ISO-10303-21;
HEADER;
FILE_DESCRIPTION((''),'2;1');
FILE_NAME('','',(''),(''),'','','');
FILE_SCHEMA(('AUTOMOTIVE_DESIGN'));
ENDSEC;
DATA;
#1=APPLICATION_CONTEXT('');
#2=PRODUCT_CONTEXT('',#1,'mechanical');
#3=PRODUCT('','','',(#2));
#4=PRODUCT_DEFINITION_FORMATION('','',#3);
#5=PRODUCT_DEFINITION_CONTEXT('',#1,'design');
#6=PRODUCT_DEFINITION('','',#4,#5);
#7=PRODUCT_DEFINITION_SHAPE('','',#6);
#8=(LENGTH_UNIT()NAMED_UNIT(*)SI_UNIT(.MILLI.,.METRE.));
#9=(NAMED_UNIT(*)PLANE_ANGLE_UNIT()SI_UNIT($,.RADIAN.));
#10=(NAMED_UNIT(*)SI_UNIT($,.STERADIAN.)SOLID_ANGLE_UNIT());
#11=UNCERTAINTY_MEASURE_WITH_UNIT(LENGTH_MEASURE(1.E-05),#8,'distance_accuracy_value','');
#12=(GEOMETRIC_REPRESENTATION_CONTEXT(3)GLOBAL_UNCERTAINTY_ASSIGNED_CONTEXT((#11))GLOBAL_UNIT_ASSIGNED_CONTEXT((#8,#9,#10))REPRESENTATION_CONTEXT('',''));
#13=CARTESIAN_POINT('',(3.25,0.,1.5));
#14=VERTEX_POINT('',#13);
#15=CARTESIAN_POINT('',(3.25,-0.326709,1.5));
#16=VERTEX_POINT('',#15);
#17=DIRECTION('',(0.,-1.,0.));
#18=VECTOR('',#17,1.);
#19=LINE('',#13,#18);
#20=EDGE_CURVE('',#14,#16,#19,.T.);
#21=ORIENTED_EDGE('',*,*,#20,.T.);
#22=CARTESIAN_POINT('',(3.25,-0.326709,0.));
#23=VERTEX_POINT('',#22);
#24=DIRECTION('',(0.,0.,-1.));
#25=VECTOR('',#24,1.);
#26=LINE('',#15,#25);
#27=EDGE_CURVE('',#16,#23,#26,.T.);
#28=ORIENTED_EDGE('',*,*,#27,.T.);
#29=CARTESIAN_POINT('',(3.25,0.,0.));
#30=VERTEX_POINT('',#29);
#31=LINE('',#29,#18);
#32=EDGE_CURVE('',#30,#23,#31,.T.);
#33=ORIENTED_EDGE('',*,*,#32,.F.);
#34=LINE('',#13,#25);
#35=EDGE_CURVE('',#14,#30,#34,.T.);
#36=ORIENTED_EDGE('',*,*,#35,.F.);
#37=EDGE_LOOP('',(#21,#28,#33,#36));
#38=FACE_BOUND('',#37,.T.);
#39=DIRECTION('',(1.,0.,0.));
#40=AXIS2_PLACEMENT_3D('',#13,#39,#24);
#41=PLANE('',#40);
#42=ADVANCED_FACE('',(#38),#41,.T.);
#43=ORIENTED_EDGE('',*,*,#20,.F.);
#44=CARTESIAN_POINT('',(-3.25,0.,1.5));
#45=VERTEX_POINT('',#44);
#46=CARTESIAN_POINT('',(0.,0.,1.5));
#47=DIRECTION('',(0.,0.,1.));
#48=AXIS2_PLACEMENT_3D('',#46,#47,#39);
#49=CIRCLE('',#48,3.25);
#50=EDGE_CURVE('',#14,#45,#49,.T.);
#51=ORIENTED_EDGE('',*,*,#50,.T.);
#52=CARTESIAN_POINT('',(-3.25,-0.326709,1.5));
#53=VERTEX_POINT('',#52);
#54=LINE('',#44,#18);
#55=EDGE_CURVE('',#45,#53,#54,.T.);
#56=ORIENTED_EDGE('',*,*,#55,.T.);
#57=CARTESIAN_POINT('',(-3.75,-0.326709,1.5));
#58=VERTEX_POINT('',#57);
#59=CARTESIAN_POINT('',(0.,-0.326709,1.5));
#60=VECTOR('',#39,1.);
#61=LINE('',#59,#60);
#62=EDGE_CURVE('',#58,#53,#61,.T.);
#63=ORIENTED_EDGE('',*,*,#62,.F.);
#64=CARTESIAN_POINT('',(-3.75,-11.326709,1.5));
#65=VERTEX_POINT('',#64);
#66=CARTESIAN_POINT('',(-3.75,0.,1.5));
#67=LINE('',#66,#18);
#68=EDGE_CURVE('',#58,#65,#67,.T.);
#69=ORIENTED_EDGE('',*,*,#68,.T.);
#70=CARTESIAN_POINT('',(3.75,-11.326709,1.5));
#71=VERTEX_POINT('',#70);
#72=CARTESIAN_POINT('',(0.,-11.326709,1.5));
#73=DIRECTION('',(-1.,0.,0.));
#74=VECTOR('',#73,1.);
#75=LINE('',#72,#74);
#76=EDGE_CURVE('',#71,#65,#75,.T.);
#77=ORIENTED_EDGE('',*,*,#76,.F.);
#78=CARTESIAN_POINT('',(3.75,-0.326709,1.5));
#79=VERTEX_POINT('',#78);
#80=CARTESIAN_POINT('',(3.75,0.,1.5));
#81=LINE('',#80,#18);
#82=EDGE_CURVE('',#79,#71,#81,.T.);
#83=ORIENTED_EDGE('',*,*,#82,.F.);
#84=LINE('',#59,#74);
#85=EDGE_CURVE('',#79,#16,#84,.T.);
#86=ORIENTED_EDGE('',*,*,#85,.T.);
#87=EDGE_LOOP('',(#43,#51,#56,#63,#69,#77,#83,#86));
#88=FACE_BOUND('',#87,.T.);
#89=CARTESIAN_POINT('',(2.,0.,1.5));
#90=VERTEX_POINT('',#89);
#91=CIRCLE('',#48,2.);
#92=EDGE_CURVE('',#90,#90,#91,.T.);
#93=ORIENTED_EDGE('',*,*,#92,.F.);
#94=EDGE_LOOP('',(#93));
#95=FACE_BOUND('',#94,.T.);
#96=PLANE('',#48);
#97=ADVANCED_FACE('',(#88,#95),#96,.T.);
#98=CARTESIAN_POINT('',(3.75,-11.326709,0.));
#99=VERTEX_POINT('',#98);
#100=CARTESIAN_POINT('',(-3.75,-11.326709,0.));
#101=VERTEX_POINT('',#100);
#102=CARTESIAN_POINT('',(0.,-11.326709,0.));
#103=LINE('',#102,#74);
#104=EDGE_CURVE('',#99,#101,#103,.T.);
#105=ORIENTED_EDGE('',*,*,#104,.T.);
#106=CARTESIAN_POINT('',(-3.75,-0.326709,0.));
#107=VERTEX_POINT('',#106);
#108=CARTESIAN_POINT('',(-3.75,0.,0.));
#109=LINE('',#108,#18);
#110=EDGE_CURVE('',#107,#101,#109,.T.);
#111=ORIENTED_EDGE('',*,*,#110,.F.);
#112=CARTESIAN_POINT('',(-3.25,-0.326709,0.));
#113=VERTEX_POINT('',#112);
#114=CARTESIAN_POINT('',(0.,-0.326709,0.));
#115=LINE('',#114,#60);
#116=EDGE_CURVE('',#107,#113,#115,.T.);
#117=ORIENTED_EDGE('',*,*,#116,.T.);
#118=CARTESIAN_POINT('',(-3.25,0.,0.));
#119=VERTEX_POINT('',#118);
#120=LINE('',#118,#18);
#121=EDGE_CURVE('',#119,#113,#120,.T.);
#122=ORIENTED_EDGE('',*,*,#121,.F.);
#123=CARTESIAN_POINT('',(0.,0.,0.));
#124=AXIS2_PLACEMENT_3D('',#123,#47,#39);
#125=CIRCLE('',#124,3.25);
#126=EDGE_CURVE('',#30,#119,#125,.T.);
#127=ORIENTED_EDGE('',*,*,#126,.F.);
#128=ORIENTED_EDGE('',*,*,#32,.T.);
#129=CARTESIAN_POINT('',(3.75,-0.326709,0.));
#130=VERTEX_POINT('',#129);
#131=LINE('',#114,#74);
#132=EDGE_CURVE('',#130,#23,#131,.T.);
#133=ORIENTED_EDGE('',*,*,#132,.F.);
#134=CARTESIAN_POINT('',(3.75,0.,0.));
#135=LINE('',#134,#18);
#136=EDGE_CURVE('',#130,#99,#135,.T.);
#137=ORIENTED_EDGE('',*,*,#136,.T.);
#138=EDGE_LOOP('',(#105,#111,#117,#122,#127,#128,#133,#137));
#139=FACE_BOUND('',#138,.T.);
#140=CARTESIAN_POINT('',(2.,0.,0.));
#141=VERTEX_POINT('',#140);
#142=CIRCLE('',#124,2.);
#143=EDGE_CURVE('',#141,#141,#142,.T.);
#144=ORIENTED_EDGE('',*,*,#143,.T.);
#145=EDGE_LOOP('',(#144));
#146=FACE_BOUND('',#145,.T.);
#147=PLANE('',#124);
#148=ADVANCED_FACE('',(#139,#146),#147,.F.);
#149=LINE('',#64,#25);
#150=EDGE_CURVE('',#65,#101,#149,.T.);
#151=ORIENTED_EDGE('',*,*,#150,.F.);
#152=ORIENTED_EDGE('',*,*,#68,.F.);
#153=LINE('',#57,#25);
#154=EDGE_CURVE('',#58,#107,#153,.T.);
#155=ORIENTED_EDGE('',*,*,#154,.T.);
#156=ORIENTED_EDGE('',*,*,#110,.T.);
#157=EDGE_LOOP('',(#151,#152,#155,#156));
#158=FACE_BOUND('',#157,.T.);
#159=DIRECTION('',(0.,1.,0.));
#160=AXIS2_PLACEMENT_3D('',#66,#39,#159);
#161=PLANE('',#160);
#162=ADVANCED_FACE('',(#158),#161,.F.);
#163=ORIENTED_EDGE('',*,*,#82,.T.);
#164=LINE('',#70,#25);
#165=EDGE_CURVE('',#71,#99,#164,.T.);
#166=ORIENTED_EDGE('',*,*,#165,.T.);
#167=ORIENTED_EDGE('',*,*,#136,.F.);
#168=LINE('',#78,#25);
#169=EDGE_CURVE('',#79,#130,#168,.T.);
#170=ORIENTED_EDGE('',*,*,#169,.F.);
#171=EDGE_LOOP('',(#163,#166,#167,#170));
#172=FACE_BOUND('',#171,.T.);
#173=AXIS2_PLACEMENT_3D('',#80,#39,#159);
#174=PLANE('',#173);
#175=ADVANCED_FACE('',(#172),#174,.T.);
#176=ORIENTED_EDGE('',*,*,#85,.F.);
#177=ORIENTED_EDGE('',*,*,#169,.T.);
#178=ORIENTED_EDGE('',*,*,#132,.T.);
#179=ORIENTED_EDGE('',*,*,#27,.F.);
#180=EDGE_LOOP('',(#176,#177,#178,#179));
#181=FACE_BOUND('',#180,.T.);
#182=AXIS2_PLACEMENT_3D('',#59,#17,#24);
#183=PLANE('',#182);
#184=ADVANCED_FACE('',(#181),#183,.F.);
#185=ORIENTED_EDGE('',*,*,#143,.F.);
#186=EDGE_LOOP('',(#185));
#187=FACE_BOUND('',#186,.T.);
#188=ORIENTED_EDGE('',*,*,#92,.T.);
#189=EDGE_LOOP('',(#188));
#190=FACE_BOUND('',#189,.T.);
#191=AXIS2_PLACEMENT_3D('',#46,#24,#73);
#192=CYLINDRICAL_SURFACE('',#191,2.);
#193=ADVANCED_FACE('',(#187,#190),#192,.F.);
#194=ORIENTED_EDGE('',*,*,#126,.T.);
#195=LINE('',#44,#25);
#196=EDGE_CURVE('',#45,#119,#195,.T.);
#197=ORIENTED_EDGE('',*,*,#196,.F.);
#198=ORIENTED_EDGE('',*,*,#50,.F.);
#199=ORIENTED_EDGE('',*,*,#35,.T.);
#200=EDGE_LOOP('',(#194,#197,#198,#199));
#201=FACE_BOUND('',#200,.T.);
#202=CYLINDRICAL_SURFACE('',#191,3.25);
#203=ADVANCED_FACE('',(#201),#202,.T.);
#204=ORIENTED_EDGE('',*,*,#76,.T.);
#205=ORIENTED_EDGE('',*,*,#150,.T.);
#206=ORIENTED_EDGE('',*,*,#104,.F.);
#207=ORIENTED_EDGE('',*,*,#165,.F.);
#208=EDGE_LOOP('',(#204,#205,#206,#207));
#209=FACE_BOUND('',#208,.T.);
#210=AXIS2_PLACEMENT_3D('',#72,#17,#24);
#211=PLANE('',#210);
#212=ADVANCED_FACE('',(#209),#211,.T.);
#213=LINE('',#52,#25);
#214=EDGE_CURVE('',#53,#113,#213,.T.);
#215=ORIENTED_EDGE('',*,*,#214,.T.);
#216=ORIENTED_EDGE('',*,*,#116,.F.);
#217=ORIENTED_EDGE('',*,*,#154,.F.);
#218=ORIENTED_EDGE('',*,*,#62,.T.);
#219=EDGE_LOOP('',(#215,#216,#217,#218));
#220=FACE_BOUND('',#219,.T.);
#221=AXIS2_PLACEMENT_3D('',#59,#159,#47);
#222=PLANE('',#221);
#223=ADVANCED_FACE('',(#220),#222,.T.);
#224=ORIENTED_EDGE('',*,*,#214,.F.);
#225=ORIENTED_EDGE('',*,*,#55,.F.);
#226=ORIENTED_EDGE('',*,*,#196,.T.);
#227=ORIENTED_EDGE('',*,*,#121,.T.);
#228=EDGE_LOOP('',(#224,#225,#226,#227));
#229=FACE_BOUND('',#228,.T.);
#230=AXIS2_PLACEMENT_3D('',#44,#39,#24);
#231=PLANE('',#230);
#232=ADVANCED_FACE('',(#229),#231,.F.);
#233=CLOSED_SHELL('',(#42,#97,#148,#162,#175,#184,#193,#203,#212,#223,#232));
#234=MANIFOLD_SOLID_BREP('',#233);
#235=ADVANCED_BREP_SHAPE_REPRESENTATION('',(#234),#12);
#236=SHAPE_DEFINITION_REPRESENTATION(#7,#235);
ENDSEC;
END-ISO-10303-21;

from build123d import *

# Parameters (mm, degrees)
SKETCH1_R           = 2
BOSS_EXTRUDE1_DEPTH = 1.5


with BuildPart() as part:
    # Sketch1 → Boss-Extrude1 (new body)
    with BuildSketch(Plane.XY):
        with BuildLine():
            Line((3.25, -0.326709371), (3.25, 0))
            ThreePointArc((3.25, 0), (0, 3.25), (-3.25, 0))
            Line((-3.25, 0), (-3.25, -0.326709371))
            Line((-3.25, -0.326709371), (-3.75, -0.326709371))
            Line((-3.75, -0.326709371), (-3.75, -11.326709371))
            Line((-3.75, -11.326709371), (3.75, -11.326709371))
            Line((3.75, -11.326709371), (3.75, -0.326709371))
            Line((3.75, -0.326709371), (3.25, -0.326709371))
        make_face()
        Circle(SKETCH1_R, mode=Mode.SUBTRACT)
    extrude(amount=BOSS_EXTRUDE1_DEPTH)


solid = part.part
